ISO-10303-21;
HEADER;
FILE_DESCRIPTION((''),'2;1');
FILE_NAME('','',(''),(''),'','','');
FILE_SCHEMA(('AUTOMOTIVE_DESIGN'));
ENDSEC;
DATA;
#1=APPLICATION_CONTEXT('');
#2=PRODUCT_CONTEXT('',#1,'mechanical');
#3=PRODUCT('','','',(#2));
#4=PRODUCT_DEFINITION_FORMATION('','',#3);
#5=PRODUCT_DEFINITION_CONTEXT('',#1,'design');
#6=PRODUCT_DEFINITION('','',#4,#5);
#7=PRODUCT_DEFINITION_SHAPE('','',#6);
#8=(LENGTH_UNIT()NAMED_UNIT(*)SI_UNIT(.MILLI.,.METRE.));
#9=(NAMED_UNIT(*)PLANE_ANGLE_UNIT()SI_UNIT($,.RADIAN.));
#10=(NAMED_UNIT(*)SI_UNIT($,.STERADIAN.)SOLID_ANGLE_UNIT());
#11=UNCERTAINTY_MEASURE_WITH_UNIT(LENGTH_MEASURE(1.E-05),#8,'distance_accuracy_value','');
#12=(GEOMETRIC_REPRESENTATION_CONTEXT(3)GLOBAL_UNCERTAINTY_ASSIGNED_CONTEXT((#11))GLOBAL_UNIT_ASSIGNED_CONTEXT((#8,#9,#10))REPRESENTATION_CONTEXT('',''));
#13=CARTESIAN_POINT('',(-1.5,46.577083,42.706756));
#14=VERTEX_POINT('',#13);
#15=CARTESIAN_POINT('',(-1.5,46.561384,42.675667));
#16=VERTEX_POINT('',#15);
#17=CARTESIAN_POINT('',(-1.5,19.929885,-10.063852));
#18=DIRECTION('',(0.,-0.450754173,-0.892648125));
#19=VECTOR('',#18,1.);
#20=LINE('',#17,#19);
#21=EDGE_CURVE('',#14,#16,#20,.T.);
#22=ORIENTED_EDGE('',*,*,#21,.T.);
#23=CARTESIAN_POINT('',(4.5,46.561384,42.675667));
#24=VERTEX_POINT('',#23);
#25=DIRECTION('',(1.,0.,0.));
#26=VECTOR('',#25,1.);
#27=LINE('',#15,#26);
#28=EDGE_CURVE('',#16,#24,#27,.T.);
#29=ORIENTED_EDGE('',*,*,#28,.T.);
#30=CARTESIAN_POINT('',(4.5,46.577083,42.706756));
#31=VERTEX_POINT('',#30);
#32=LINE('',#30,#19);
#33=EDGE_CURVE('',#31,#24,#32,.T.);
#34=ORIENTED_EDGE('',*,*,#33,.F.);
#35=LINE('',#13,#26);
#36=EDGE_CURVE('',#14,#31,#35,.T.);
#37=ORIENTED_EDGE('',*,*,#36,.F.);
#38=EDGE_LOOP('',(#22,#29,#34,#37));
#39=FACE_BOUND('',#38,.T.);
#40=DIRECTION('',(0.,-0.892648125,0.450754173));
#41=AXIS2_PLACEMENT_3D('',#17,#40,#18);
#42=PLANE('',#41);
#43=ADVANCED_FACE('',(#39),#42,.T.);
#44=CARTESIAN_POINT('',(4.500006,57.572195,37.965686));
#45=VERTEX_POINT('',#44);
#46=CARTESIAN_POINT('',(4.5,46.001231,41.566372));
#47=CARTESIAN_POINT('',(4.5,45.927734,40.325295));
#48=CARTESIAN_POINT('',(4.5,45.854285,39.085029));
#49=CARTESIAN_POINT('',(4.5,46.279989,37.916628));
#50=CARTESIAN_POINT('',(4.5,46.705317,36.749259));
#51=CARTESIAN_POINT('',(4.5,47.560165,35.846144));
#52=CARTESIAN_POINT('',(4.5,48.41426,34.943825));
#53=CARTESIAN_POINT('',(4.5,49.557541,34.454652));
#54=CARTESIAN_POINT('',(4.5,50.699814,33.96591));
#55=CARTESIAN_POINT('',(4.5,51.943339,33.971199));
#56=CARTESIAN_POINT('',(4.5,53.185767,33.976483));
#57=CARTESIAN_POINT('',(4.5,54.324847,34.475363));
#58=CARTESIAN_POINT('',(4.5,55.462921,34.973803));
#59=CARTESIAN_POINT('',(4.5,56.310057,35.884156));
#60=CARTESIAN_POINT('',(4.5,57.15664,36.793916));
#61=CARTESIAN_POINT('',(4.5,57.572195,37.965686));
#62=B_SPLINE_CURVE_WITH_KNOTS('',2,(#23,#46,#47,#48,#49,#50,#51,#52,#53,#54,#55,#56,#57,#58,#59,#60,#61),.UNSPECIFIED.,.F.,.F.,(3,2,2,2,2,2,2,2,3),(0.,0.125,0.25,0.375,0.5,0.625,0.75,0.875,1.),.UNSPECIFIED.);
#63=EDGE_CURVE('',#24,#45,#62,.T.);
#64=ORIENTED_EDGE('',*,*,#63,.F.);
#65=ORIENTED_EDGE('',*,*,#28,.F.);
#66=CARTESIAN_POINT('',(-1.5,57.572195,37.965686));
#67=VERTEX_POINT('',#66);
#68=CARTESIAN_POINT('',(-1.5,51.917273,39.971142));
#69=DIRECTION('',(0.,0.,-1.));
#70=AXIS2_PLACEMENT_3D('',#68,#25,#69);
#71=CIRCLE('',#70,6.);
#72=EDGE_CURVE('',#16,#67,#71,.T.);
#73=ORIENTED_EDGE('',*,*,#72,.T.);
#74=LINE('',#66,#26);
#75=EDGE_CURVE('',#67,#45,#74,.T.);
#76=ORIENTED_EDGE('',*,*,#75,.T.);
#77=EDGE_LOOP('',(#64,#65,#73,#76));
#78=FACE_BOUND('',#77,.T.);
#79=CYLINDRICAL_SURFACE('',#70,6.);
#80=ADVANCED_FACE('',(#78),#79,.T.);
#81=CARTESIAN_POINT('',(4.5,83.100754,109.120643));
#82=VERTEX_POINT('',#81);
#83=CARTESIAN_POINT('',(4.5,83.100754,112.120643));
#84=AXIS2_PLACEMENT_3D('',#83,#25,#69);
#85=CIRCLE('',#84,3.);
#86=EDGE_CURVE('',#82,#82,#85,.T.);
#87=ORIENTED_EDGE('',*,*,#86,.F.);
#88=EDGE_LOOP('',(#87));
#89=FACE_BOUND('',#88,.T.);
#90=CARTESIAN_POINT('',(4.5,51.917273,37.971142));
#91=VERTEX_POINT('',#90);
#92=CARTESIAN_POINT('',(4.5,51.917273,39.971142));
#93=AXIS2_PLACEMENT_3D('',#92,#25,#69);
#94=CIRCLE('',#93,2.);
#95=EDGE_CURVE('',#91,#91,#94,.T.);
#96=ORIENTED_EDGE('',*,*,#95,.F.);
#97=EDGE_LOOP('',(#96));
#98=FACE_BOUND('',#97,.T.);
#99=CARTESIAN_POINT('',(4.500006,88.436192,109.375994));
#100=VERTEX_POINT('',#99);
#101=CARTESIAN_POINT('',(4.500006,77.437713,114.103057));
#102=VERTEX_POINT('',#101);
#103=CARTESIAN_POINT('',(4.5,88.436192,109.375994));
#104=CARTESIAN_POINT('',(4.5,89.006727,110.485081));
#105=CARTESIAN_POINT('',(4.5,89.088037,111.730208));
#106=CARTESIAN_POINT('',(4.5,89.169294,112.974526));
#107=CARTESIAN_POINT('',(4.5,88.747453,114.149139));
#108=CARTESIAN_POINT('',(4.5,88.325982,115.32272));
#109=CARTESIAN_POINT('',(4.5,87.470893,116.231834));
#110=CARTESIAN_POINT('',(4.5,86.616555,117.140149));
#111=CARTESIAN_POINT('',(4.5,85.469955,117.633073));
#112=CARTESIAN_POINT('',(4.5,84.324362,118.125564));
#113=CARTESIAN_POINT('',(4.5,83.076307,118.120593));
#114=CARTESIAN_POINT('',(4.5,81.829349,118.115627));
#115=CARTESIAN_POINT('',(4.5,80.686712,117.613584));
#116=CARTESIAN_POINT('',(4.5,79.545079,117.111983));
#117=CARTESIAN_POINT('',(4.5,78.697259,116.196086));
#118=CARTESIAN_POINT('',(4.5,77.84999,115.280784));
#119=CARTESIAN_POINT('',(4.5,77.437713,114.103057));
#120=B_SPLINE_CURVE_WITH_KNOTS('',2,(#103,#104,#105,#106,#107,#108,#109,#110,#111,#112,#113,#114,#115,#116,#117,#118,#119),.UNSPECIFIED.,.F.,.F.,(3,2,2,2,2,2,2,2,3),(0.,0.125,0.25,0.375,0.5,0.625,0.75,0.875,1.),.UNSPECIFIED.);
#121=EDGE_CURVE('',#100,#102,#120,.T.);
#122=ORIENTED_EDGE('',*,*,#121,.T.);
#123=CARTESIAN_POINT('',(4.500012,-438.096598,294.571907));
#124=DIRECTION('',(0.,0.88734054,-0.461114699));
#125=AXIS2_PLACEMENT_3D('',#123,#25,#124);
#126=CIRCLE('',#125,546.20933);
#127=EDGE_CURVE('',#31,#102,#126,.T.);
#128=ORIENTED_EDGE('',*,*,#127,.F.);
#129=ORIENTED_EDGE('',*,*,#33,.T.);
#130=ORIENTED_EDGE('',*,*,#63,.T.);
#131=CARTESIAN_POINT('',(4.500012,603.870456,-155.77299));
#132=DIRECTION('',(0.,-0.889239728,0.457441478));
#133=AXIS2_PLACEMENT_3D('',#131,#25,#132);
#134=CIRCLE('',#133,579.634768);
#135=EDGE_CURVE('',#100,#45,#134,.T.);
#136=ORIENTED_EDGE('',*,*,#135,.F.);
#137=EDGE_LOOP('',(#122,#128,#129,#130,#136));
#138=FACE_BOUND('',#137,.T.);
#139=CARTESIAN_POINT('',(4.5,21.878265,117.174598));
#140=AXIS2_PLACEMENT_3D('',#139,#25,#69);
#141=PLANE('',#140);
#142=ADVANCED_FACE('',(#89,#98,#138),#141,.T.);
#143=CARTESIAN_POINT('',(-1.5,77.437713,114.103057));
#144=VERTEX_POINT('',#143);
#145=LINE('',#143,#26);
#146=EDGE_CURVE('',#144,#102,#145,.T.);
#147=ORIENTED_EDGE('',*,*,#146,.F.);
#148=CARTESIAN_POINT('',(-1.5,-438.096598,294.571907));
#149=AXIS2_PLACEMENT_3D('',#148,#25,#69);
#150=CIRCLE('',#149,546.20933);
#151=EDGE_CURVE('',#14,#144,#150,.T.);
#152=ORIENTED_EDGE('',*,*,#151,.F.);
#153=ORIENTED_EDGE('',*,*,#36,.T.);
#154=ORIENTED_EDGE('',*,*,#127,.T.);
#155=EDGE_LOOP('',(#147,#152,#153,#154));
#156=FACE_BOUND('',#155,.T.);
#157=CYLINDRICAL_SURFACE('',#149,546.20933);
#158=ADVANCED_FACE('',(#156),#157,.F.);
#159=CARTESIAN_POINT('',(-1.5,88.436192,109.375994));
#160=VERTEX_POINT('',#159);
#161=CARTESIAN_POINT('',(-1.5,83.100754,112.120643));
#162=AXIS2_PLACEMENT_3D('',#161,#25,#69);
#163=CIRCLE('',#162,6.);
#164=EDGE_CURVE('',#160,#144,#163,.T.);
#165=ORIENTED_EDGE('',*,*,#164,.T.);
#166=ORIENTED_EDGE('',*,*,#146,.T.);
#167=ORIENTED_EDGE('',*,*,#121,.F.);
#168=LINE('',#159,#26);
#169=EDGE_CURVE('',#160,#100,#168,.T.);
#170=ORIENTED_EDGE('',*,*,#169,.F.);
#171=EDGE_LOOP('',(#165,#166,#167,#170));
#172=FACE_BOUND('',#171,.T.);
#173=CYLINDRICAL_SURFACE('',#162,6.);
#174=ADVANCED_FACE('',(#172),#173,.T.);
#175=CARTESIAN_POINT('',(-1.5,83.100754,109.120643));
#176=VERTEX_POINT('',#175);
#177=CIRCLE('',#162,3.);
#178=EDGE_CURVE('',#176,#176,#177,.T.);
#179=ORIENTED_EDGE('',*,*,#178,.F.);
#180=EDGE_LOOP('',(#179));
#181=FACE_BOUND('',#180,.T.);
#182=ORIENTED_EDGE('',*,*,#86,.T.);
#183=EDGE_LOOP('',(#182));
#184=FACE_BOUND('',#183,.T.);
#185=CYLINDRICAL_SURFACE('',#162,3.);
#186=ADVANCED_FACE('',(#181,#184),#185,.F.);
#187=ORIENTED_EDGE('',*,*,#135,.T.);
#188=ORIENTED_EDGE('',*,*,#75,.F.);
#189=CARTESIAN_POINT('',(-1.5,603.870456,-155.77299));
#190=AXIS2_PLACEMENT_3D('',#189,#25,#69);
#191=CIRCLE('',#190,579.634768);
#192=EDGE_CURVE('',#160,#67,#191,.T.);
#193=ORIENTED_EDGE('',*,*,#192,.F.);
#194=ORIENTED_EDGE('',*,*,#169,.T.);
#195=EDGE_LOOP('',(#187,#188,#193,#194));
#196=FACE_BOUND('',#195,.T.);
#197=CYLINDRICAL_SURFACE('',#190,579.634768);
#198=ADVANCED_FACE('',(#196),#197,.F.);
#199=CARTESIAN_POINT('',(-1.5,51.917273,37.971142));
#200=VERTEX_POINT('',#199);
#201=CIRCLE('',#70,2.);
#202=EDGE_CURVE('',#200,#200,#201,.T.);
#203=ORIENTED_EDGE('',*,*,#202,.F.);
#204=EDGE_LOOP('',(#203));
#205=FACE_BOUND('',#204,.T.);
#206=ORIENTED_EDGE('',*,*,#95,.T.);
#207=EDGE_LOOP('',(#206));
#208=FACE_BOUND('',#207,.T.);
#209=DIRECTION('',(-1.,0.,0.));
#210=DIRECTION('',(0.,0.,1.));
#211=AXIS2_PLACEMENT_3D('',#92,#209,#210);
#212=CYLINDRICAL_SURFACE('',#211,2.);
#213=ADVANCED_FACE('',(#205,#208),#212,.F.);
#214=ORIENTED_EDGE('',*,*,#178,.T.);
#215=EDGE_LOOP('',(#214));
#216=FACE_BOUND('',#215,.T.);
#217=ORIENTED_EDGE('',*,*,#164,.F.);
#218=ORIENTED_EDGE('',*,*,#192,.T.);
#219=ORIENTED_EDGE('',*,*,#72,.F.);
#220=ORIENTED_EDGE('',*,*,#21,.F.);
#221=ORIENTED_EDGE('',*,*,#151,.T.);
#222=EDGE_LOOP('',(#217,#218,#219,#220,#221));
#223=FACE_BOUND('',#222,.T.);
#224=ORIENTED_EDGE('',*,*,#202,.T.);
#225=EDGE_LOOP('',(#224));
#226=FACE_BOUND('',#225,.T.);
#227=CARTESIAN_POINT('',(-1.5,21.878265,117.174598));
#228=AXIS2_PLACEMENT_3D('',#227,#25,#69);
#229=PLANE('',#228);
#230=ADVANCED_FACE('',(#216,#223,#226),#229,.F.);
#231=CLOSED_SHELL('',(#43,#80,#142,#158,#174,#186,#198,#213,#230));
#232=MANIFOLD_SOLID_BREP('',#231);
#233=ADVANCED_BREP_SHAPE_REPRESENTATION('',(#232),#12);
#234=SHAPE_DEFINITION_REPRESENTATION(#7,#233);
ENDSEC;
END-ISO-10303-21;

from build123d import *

# Parameters (mm, degrees)
SKETCH2_R               = 1.375
SKETCH2_R_2             = 1
BOSS_EXTRUDE1_DEPTH     = 3
SCALE1_SCALE            = 2
SKETCH3_R               = 3
CUT_EXTRUDE1_DEPTH      = 168.69505013
CUT_EXTRUDE2_DEPTH      = 168.69505013
CUT_EXTRUDE2_DEPTH_BACK = 168.69505013


with BuildPart() as part:
    # Sketch2 → Boss-Extrude1 (new body)
    with BuildSketch(Plane.YZ):
        with BuildLine():
            ThreePointArc((52.261817642, 64.649681199), (55.722453046, 48.775220907), (69.655917155, 57.131838936))
            ThreePointArc((69.655917155, 57.131838936), (73.702355413, 73.305037878), (82.709556836, 87.334162909))
            ThreePointArc((82.709556836, 87.334162909), (79.248921432, 103.208623201), (65.315457322, 94.852005173))
            ThreePointArc((65.315457322, 94.852005173), (61.269019064, 78.67880623), (52.261817642, 64.649681199))
        make_face()
        with Locations(Location((75.281557454, 94.029297351, 0), (0, 0, 270))):
            Circle(SKETCH2_R, mode=Mode.SUBTRACT)
        with Locations(Location((59.689817023, 57.954546758, 0), (0, 0, 270))):
            Circle(SKETCH2_R_2, mode=Mode.SUBTRACT)
    extrude(amount=BOSS_EXTRUDE1_DEPTH)


with BuildPart() as part_1:
    # Scale1: scaled about (1.5, 67.462360836, 75.937951546)
    add(part.part.scale(SCALE1_SCALE).moved(Location((-1.5, -67.462360836, -75.937951546))))

    # Sketch3 → Cut-Extrude1 (cut, through all)
    with BuildSketch(Plane.YZ.offset(4.5)):
        with Locations(Location((83.100754073, 112.120643155, 0), (0, 0, 270))):
            Circle(SKETCH3_R)
    extrude(amount=-CUT_EXTRUDE1_DEPTH, mode=Mode.SUBTRACT)

    # Sketch4 → Cut-Extrude2 (cut, two sides: drawn at the far end of the back side and taken through both)
    with BuildSketch(Plane.YZ.offset(4.5).offset(-CUT_EXTRUDE2_DEPTH_BACK)):
        with BuildLine():
            ThreePointArc((63.168553809, 113.7660588), (55.075677293, 81.419660915), (37.061274447, 53.361410853))
            ThreePointArc((37.061274447, 53.361410853), (43.982545256, 21.612490269), (71.849473474, 38.325726326))
            ThreePointArc((71.849473474, 38.325726326), (79.94234999, 70.672124211), (97.956752836, 98.730374273))
            ThreePointArc((97.956752836, 98.730374273), (91.035482027, 130.479294857), (63.168553809, 113.7660588))
        make_face()
        with BuildLine():
            ThreePointArc((77.437713, 114.103057293), (85.469954791, 117.633073469), (88.436192443, 109.375994289))
            ThreePointArc((88.436192443, 109.375994289), (71.804815123, 74.18921939), (57.57219549, 37.96568591))
            ThreePointArc((57.57219549, 37.96568591), (49.557643799, 34.454607819), (46.56128374, 42.675467541))
            add(Edge.make_bspline(
                [(46.57708347, 42.706756435), (46.571822916, 42.696339697), (46.566556342, 42.685910072), (46.56128374, 42.675467541)],
                knots=[0.950044559, 0.950044559, 0.950044559, 0.950044559, 0.950284721, 0.950284721, 0.950284721, 0.950284721], degree=3))
            ThreePointArc((46.57708347, 42.706756435), (46.585069243, 42.722124357), (46.593054528, 42.737492531))
            ThreePointArc((46.593054528, 42.737492531), (63.286743628, 77.87078496), (77.437713, 114.103057293))
        make_face(mode=Mode.SUBTRACT)
    extrude(amount=CUT_EXTRUDE2_DEPTH + CUT_EXTRUDE2_DEPTH_BACK, mode=Mode.SUBTRACT)


solid = part_1.part
